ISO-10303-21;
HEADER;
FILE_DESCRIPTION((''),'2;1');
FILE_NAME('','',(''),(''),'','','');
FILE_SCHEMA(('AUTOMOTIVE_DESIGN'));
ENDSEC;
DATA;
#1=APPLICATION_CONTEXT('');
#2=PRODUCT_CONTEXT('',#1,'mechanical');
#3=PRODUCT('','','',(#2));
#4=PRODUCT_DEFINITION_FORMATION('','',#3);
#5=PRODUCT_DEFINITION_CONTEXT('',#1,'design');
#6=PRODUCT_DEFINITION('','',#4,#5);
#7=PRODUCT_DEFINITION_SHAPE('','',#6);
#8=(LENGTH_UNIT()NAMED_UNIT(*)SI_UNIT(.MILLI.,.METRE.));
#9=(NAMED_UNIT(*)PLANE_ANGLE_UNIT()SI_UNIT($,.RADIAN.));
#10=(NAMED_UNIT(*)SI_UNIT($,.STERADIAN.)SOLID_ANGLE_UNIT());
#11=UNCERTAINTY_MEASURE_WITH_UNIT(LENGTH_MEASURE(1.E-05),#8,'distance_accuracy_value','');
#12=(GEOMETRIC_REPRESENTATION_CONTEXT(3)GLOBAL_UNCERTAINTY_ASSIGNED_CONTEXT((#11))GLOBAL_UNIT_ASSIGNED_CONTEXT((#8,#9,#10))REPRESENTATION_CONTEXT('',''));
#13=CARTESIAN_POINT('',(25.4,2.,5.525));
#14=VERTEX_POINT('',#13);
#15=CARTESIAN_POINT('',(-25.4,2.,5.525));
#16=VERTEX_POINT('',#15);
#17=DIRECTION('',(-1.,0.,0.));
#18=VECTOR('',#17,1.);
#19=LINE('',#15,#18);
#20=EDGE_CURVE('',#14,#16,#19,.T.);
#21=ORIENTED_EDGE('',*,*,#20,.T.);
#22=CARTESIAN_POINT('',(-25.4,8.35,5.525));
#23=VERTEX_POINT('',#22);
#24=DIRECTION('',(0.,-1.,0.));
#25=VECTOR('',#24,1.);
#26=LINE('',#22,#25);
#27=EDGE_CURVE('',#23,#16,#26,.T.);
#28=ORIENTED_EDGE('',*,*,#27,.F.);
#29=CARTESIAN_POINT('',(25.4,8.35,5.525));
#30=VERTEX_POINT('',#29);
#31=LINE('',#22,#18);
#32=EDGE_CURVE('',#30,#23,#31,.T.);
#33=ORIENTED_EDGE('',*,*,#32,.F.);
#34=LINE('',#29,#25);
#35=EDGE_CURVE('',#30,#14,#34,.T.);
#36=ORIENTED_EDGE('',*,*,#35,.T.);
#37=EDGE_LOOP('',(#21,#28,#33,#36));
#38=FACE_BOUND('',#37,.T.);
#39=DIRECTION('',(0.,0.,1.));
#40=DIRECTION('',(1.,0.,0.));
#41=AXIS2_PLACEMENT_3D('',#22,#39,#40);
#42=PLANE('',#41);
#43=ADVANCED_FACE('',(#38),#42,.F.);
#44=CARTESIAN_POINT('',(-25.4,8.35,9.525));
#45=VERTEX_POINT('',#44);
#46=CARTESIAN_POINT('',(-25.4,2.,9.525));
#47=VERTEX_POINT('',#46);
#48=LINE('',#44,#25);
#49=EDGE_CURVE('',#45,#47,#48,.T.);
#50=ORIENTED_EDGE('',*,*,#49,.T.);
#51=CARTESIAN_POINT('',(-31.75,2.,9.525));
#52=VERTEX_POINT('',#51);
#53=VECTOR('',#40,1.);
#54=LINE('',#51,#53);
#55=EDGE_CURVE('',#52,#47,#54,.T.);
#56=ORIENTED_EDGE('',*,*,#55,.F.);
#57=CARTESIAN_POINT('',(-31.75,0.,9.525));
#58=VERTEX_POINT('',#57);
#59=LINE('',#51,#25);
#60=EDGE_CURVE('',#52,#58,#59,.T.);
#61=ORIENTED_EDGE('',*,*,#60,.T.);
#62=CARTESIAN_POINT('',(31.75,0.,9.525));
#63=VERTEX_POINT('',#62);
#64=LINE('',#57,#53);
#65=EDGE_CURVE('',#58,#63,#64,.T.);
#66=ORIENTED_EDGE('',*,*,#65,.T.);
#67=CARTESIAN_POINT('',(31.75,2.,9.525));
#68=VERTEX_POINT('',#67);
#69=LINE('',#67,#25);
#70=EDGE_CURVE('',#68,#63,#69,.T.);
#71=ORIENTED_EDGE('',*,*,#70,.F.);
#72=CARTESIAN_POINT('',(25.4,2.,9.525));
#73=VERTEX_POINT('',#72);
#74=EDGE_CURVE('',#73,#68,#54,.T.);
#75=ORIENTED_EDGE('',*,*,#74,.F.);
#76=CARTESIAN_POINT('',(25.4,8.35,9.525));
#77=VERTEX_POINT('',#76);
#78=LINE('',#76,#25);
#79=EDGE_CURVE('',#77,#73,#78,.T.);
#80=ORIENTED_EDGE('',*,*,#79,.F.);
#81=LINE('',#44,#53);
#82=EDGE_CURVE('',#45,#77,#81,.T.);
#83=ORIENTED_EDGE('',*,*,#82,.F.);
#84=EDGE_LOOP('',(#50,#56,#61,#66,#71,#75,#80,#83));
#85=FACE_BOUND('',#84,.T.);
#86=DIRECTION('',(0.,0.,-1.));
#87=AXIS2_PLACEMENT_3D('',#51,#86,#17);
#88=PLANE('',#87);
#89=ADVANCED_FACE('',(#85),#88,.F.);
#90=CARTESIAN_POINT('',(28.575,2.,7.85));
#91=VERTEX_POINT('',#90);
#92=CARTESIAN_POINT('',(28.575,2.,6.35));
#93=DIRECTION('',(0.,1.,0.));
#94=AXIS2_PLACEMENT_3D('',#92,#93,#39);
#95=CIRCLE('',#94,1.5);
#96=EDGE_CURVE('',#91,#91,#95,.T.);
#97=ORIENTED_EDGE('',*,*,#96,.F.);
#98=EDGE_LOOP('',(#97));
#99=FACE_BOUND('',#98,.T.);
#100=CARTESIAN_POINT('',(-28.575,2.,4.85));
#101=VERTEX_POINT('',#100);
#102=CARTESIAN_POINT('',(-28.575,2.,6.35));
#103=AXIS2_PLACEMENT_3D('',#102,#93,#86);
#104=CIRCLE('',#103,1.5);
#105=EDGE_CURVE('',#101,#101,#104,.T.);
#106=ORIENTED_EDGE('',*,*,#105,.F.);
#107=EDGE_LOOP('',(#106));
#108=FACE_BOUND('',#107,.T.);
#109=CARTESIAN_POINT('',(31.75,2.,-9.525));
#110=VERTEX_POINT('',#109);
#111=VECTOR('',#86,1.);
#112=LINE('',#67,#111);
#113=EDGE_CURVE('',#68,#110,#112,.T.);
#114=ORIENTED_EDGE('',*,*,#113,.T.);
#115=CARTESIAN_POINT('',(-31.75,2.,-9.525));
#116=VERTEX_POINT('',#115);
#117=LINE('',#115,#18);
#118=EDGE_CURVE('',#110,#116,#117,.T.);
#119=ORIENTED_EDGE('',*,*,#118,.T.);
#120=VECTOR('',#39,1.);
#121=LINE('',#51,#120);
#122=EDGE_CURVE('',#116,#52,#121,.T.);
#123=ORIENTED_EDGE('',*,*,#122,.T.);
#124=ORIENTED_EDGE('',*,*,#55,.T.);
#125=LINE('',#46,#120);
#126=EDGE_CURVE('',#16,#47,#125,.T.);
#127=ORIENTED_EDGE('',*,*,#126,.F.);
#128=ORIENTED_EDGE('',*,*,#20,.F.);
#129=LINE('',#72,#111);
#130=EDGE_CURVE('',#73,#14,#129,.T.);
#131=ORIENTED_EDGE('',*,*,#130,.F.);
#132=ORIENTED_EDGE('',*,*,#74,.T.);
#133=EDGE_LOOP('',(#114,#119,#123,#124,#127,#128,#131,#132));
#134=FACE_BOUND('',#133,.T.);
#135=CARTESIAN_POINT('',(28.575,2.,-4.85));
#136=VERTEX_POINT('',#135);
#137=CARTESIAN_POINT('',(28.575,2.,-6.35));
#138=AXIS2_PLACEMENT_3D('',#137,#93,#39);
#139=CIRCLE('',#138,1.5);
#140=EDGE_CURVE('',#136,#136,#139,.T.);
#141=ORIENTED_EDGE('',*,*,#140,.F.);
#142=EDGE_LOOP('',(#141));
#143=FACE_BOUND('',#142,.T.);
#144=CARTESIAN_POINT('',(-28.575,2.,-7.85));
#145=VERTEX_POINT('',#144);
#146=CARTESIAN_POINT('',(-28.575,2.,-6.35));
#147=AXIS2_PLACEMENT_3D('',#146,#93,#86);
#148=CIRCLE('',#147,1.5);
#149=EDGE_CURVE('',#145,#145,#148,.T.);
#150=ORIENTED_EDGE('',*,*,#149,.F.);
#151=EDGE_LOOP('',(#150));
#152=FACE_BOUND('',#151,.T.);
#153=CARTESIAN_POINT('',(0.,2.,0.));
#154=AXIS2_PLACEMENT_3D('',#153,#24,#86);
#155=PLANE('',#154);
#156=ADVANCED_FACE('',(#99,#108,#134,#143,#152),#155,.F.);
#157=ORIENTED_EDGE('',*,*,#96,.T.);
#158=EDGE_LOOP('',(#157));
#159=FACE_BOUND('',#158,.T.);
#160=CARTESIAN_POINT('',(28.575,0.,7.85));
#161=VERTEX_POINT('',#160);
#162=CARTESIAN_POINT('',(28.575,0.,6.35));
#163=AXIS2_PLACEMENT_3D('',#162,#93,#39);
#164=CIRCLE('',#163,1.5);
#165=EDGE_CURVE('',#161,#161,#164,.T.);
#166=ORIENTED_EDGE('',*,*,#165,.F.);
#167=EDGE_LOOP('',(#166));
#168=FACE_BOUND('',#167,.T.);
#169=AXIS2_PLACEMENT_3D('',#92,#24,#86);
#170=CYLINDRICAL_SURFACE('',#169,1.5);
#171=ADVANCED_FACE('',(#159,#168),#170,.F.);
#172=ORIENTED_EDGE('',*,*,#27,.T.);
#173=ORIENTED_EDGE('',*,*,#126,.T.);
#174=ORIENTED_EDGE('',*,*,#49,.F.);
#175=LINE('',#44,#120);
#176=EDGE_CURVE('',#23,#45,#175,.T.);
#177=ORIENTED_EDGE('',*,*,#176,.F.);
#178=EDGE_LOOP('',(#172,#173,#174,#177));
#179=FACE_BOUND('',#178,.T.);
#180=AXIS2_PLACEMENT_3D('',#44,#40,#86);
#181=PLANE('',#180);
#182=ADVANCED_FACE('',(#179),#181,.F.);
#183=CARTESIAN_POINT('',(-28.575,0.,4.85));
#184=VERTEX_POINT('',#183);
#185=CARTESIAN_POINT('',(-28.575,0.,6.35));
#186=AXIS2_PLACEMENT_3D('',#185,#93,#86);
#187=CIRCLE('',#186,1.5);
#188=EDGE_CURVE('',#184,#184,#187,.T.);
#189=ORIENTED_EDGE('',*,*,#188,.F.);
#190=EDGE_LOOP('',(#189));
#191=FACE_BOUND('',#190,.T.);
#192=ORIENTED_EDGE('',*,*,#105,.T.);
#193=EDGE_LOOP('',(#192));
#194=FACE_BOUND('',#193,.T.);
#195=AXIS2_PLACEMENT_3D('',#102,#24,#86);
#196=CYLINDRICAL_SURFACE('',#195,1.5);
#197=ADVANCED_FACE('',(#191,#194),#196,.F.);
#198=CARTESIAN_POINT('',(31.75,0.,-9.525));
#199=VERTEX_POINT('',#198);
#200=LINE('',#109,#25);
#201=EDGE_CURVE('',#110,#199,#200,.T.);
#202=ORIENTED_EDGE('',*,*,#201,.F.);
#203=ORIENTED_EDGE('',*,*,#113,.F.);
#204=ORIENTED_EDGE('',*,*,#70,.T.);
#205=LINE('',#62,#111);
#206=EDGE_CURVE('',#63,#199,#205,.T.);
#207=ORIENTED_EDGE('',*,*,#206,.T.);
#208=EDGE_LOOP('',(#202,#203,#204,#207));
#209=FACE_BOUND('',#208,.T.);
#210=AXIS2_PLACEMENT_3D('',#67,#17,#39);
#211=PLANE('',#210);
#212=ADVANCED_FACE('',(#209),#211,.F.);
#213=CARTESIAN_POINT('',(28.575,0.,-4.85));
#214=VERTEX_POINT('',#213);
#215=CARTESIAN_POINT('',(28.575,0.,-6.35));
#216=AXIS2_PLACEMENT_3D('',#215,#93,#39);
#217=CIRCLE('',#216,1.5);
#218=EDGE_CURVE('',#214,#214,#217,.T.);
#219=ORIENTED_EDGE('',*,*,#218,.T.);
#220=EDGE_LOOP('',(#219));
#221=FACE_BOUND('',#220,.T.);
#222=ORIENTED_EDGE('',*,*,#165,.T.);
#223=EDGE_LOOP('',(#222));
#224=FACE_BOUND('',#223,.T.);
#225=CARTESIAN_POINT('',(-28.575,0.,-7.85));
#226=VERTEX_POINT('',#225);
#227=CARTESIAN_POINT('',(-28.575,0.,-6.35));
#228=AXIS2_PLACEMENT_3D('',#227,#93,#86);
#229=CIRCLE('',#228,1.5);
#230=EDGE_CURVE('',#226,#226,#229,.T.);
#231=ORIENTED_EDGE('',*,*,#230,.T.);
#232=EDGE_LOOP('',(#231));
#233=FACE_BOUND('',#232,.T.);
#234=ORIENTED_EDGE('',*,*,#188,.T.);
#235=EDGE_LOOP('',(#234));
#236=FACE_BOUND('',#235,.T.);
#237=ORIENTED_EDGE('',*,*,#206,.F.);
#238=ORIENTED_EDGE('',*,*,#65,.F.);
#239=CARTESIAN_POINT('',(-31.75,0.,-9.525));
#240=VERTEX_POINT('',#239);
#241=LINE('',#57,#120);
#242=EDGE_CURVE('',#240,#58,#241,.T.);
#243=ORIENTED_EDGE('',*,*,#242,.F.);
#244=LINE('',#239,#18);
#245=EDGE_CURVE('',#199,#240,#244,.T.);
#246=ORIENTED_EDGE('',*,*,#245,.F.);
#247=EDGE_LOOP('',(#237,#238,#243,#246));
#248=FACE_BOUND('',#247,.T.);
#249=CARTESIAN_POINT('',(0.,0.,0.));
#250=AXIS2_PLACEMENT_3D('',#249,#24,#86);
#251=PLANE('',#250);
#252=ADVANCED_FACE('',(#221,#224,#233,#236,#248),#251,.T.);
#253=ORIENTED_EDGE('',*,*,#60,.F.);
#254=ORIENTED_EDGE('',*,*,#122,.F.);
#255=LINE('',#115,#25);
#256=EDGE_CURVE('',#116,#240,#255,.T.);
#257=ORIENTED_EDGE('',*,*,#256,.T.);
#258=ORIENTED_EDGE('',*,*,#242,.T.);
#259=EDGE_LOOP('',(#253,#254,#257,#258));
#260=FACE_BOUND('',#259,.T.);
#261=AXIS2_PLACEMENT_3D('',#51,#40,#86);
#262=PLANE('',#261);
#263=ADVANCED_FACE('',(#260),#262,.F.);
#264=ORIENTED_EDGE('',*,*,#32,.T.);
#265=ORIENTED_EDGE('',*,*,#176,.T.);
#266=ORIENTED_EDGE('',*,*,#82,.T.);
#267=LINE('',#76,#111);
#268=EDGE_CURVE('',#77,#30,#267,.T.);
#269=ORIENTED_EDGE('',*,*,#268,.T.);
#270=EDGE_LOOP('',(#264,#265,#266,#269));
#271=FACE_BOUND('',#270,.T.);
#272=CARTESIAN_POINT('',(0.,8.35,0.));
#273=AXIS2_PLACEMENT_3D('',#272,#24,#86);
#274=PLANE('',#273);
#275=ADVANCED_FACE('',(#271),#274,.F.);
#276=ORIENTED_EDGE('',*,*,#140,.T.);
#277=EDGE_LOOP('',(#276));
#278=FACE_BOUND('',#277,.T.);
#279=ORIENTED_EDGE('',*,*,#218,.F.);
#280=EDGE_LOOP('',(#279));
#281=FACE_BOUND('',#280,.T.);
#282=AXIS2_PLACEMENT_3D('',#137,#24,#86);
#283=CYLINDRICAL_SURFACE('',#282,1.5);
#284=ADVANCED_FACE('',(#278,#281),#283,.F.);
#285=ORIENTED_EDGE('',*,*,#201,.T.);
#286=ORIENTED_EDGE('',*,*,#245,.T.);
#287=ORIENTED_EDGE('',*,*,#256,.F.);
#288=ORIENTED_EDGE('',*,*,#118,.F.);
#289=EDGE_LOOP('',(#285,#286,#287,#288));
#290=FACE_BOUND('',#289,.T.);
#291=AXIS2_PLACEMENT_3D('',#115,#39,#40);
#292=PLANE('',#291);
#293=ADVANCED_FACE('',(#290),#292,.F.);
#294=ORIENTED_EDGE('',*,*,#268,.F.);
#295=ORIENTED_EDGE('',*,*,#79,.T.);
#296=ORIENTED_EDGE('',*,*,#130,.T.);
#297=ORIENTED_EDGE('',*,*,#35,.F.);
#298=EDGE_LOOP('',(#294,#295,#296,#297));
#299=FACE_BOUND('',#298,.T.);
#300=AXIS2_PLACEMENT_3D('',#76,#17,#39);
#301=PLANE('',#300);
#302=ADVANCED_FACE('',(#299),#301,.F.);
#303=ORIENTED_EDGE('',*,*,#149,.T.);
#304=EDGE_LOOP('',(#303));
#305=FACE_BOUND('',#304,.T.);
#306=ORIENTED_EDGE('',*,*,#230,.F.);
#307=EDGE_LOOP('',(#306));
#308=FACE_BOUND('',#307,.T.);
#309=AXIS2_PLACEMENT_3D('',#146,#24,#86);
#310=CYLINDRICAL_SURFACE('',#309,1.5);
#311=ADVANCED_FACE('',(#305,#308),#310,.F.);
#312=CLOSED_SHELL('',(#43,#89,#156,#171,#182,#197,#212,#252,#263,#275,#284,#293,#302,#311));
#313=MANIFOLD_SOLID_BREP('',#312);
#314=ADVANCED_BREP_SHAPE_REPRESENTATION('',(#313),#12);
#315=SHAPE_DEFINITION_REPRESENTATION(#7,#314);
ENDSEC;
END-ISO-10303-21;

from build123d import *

# Parameters (mm, degrees)
SKETCH4_W           = 63.5
SKETCH4_H           = 19.05
SKETCH4_R           = 1.5
BOSS_EXTRUDE2_DEPTH = 2
SKETCH6_W           = 50.8
SKETCH6_H           = 4
BOSS_EXTRUDE3_DEPTH = 6.35


with BuildPart() as part:
    # Sketch4 → Boss-Extrude2 (new body)
    with BuildSketch(Plane(origin=(0, 0, 0), x_dir=(1, 0, 0), z_dir=(0, 1, 0))):
        Rectangle(SKETCH4_W, SKETCH4_H)
        with Locations((28.575, 6.35)):
            Circle(SKETCH4_R, mode=Mode.SUBTRACT)
        with Locations((28.575, -6.35)):
            Circle(SKETCH4_R, mode=Mode.SUBTRACT)
        with Locations((-28.575, -6.35)):
            Circle(SKETCH4_R, mode=Mode.SUBTRACT)
        with Locations((-28.575, 6.35)):
            Circle(SKETCH4_R, mode=Mode.SUBTRACT)
    extrude(amount=BOSS_EXTRUDE2_DEPTH)

    # Sketch6 → Boss-Extrude3 (add)
    with BuildSketch(Plane(origin=(0, 2, 0), x_dir=(1, 0, 0), z_dir=(0, 1, 0))):
        with Locations((0, -7.525)):
            Rectangle(SKETCH6_W, SKETCH6_H)
    extrude(amount=BOSS_EXTRUDE3_DEPTH)


solid = part.part
